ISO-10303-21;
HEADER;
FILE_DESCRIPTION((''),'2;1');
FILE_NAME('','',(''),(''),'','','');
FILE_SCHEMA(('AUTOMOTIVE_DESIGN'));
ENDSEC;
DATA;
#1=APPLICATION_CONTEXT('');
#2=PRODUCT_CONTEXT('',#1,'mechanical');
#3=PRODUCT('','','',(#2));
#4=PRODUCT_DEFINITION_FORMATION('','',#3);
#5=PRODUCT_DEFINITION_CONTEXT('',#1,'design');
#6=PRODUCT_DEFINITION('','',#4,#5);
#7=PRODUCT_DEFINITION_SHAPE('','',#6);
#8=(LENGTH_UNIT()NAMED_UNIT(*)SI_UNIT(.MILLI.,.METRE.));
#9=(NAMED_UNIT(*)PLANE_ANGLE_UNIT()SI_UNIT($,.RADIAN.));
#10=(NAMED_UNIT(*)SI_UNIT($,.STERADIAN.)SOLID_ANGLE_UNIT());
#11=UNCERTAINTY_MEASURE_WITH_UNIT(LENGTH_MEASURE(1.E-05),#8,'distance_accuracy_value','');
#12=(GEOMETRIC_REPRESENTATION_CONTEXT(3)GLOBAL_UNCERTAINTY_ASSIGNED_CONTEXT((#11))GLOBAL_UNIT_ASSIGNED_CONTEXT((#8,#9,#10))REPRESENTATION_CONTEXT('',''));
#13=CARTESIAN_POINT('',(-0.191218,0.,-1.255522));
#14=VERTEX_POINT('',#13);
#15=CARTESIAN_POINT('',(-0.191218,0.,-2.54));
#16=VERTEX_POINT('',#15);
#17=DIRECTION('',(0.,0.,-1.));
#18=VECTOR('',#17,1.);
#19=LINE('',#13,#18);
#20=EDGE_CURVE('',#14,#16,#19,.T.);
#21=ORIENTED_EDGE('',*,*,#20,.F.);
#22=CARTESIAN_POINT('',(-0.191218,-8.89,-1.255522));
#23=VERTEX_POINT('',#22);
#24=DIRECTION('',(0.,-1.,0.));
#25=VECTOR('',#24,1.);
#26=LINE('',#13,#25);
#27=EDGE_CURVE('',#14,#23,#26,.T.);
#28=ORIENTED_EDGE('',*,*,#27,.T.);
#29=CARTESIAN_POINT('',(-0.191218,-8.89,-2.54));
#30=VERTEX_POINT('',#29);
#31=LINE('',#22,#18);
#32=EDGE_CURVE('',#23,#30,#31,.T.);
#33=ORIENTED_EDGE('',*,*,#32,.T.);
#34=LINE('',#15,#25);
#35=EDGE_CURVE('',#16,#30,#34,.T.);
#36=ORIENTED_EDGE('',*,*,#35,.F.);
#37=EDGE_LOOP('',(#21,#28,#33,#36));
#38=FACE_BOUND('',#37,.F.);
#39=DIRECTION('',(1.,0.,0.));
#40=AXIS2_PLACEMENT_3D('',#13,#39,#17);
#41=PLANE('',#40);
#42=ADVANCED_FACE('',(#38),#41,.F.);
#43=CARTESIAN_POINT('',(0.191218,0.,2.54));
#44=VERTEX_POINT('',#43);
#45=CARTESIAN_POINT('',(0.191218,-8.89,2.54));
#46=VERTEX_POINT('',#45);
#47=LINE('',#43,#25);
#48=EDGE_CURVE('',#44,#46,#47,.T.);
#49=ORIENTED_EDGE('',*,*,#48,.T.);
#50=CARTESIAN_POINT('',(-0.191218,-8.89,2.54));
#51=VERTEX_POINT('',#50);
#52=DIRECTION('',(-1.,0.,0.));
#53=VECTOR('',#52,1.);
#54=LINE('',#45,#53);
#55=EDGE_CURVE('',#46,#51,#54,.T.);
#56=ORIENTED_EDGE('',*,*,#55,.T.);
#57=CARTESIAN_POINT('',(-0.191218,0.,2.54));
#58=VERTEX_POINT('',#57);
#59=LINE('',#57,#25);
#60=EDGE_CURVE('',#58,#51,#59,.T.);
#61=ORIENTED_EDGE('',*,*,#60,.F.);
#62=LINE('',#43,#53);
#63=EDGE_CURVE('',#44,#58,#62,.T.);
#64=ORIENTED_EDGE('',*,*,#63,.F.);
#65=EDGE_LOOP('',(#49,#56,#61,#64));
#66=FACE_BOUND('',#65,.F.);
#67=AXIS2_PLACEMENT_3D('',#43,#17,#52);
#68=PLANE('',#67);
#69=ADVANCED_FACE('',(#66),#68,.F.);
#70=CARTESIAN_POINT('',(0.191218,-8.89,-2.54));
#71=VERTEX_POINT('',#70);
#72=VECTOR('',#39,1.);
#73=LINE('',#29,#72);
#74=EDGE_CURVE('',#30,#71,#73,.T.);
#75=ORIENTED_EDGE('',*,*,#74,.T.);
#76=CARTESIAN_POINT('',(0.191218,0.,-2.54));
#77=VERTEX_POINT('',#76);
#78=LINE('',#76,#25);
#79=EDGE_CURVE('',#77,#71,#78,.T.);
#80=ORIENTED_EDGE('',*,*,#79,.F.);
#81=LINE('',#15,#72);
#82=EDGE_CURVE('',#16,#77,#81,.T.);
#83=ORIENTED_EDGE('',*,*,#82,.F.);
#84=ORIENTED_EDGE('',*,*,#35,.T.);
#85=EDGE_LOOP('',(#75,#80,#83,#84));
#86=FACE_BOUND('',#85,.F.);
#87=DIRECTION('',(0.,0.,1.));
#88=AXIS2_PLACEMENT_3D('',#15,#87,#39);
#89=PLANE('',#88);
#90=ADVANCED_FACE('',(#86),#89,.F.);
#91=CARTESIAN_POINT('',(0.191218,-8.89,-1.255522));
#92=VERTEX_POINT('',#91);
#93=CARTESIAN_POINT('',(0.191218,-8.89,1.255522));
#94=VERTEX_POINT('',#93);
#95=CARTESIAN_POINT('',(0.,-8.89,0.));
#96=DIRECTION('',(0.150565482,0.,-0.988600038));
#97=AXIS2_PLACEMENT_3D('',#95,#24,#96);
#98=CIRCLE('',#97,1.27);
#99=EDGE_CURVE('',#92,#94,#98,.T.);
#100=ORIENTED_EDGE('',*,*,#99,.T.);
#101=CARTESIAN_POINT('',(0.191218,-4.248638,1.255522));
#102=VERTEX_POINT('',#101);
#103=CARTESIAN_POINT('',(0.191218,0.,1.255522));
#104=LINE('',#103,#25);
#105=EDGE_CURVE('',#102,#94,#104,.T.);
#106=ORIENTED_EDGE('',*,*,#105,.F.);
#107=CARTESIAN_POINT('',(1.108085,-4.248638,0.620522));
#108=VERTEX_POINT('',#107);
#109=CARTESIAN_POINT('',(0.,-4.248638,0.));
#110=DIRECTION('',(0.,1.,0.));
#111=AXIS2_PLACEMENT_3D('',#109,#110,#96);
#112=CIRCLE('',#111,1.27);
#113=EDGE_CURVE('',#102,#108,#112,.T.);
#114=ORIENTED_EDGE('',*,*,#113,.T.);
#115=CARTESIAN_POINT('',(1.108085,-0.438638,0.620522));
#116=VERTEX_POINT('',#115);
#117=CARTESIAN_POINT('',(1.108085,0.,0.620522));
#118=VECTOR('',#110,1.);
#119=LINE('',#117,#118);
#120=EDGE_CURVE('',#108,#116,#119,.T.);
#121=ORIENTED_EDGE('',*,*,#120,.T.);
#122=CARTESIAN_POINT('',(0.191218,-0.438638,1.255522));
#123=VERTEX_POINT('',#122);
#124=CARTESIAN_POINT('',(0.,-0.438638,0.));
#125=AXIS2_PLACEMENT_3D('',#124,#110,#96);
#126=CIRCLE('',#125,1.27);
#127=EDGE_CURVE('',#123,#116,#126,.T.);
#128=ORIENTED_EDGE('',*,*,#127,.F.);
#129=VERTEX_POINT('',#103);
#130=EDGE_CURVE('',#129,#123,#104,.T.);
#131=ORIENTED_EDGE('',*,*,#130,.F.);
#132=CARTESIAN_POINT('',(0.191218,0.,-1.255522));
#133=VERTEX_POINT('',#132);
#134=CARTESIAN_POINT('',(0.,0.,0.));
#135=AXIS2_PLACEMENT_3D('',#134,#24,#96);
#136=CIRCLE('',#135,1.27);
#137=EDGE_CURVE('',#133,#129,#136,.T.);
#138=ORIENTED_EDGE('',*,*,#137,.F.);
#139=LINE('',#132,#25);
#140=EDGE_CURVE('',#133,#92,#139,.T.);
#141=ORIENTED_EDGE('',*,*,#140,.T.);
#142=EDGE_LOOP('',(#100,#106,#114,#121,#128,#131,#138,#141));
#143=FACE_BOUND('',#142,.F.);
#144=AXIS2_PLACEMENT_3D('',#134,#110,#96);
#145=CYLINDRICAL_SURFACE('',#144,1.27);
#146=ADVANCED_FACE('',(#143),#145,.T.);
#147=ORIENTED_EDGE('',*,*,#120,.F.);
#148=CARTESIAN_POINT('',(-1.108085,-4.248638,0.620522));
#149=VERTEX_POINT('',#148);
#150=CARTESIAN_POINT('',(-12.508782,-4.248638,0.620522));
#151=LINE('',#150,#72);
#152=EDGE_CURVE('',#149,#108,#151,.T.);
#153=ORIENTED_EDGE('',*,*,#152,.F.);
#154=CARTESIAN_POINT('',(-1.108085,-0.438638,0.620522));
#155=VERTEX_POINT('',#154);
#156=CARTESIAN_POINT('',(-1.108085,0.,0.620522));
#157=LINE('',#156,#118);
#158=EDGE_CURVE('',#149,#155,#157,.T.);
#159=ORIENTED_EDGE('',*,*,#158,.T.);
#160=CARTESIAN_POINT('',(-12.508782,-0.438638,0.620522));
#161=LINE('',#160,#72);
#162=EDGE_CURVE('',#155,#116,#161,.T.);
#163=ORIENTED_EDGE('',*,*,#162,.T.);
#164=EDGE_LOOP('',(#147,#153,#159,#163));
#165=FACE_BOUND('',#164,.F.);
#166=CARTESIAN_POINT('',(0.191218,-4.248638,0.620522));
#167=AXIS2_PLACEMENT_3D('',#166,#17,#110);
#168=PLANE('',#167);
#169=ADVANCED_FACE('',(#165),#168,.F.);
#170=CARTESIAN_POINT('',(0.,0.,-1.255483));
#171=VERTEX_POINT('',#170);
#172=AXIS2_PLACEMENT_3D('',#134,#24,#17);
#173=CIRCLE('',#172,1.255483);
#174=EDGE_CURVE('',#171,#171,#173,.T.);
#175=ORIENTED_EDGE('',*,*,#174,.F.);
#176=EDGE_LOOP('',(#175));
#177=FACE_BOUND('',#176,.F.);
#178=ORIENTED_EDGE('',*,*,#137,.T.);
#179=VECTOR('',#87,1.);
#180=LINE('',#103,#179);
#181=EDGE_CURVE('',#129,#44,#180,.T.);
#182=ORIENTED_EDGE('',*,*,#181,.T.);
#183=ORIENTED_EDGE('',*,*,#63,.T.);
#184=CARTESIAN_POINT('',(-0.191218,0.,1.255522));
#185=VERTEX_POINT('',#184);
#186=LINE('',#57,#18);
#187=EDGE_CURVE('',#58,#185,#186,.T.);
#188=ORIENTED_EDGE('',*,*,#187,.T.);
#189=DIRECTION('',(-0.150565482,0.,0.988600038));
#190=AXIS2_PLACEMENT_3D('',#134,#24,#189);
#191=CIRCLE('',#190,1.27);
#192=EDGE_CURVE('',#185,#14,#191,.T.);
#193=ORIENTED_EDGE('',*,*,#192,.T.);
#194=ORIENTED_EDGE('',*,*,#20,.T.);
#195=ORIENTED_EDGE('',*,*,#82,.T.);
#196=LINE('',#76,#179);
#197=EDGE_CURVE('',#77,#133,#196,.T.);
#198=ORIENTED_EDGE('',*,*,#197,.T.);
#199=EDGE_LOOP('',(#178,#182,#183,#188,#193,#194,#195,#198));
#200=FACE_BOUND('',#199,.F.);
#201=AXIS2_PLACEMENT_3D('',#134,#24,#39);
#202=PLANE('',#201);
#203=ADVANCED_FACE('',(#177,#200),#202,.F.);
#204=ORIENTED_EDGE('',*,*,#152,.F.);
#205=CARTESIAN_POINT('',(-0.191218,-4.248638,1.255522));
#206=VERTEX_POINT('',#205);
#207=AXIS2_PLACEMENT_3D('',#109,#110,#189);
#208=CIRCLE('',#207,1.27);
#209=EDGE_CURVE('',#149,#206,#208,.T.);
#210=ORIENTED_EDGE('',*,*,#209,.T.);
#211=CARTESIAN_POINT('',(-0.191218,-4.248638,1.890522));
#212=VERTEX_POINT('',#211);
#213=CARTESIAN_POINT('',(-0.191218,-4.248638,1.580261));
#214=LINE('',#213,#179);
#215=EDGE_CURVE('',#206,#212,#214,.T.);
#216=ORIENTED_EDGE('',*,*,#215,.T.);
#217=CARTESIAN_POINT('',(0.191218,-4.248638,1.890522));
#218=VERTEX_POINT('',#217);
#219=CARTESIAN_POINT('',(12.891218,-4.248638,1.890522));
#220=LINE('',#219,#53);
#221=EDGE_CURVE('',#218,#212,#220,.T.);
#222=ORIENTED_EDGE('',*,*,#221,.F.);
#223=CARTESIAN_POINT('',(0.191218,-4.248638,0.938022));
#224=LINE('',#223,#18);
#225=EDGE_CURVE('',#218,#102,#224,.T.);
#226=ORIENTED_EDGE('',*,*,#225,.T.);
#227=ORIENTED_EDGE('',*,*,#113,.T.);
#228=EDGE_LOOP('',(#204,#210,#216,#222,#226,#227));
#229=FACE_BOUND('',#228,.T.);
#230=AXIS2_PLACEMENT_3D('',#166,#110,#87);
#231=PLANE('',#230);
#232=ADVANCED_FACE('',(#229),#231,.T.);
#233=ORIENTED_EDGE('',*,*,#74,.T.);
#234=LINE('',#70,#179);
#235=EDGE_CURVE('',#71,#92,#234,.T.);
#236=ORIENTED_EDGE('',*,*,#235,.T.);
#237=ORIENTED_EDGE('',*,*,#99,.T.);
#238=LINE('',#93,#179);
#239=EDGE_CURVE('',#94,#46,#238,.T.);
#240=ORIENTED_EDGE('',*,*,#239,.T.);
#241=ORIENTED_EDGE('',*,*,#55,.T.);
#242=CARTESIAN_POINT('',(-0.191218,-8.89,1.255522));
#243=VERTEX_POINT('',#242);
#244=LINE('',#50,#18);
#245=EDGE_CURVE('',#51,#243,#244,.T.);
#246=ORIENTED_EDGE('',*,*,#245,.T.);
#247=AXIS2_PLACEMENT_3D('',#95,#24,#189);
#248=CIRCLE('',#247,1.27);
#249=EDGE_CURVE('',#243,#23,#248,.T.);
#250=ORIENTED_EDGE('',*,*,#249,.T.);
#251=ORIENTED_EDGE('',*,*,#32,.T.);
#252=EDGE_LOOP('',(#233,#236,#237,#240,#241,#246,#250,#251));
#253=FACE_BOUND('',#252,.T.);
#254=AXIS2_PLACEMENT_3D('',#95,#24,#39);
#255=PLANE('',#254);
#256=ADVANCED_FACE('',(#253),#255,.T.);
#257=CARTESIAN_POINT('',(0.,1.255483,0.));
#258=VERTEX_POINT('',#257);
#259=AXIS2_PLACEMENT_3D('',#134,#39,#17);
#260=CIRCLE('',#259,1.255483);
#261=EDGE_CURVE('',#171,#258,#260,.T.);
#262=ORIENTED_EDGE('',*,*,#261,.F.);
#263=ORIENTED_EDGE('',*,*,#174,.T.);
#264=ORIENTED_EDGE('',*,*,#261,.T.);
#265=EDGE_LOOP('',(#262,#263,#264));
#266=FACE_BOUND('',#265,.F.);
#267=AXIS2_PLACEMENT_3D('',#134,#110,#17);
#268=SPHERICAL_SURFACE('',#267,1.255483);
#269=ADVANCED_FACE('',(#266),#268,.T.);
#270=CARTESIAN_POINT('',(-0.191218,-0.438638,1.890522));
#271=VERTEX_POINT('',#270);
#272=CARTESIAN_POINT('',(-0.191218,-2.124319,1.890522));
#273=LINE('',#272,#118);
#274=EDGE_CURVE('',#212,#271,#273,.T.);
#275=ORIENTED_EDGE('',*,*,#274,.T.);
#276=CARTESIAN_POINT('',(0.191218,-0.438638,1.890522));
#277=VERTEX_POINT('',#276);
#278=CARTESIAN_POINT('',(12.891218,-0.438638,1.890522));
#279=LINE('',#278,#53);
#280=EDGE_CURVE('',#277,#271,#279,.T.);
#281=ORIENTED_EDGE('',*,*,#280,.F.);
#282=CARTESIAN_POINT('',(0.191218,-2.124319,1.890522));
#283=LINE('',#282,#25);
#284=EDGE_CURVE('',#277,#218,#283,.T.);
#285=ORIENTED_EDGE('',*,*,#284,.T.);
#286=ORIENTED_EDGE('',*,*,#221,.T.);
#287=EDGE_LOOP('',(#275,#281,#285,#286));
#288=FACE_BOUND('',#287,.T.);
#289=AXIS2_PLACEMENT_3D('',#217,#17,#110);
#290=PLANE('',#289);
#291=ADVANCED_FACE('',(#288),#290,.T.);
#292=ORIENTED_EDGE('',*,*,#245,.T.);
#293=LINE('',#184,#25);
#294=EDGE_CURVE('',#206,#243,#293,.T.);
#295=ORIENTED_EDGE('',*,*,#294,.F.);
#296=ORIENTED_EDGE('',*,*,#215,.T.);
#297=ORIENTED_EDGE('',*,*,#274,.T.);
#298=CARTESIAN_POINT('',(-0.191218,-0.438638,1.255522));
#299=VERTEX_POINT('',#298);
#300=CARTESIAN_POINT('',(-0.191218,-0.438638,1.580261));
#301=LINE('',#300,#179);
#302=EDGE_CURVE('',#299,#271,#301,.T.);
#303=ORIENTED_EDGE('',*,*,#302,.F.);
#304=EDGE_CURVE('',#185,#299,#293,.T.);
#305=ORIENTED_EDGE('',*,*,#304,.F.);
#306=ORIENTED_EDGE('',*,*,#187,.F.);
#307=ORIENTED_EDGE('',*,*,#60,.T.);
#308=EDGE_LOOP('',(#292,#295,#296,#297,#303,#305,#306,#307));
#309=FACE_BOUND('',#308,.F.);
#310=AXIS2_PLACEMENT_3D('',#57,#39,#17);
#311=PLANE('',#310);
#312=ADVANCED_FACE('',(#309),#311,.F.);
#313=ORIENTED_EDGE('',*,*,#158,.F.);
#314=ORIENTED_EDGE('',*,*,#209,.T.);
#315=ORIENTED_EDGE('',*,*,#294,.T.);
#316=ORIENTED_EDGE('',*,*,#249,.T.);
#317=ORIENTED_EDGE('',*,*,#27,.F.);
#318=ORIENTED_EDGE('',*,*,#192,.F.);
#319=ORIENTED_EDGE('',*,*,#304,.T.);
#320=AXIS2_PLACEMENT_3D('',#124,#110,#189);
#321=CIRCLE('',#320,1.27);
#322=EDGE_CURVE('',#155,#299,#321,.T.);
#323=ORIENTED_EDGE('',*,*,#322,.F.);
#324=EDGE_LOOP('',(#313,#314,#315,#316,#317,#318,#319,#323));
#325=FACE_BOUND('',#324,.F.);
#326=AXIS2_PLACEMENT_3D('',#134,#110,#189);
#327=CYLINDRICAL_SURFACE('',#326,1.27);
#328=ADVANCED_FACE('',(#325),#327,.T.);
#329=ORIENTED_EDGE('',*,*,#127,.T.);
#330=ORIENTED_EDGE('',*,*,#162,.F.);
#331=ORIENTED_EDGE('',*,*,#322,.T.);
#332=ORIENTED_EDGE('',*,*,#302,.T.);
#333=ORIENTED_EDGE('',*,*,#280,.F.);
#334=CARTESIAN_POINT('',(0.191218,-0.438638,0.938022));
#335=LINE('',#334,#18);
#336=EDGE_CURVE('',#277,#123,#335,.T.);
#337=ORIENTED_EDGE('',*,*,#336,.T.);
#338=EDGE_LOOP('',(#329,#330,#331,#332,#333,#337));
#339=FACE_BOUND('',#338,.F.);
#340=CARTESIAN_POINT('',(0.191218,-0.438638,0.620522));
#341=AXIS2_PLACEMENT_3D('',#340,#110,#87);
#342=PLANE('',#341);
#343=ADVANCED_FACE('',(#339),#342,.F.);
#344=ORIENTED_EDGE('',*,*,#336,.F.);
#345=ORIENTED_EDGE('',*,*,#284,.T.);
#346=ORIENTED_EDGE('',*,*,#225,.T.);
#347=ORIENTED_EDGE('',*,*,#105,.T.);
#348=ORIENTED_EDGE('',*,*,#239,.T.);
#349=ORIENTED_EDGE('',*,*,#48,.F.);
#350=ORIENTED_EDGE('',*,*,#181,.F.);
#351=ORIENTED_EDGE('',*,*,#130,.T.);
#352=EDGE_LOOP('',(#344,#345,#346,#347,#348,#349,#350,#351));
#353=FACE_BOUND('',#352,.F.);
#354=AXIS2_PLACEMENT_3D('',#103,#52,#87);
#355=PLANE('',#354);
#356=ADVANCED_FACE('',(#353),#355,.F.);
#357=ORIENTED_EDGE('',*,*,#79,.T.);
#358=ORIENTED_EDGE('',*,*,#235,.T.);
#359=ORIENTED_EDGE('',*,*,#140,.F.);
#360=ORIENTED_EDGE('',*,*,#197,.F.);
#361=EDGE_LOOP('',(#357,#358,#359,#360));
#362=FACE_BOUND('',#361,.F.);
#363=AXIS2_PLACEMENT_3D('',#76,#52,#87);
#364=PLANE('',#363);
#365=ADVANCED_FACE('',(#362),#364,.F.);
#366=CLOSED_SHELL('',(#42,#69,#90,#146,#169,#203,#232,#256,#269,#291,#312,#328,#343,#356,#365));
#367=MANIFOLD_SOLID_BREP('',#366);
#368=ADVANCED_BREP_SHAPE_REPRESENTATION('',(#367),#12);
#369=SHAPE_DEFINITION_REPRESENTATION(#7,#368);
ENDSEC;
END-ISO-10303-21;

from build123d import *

# Parameters (mm, degrees)
F1_DEPTH = 8.89
F4_W     = 3.81
F4_H     = 1.27
F5_DEPTH = 12.7


with BuildPart() as f1:
    # F0 (on Front) → F1 (new body)
    with BuildSketch(Plane.XZ):
        with BuildLine():
            Line((0.1912181615, -2.54), (0.1912181615, -1.2555220487))
            ThreePointArc((0.1912181615, -1.2555220487), (1.27, 0), (0.1912181615, 1.2555220487))
            Line((0.1912181615, 1.2555220487), (0.1912181615, 2.54))
            Line((0.1912181615, 2.54), (-0.1912181615, 2.54))
            Line((-0.1912181615, 2.54), (-0.1912181615, 1.2555220487))
            ThreePointArc((-0.1912181615, 1.2555220487), (-1.27, 0), (-0.1912181615, -1.2555220487))
            Line((-0.1912181615, -1.2555220487), (-0.1912181615, -2.54))
            Line((-0.1912181615, -2.54), (0.1912181615, -2.54))
        make_face()
    extrude(amount=F1_DEPTH)

    # F2 (on Right) → F3 (revolve)
    with BuildSketch(Plane.YZ):
        with BuildLine():
            Line((0, 0), (0, -1.2554830802))
            ThreePointArc((0, -1.2554830802), (0.8877605997, -0.8877605997), (1.2554830802, 0))
            Line((1.2554830802, 0), (0, 0))
        make_face()
    revolve(axis=Axis((0, 0.6277415401, 0), (0, -1, 0)))

    # F4 (on face) → F5 (cut, symmetric)
    with BuildSketch(Plane.YZ.offset(0.1912181615)):
        with Locations((-2.3436378688, 1.2555220487)):
            Rectangle(F4_W, F4_H)
    extrude(amount=F5_DEPTH, both=True, mode=Mode.SUBTRACT)


solid = f1.part
